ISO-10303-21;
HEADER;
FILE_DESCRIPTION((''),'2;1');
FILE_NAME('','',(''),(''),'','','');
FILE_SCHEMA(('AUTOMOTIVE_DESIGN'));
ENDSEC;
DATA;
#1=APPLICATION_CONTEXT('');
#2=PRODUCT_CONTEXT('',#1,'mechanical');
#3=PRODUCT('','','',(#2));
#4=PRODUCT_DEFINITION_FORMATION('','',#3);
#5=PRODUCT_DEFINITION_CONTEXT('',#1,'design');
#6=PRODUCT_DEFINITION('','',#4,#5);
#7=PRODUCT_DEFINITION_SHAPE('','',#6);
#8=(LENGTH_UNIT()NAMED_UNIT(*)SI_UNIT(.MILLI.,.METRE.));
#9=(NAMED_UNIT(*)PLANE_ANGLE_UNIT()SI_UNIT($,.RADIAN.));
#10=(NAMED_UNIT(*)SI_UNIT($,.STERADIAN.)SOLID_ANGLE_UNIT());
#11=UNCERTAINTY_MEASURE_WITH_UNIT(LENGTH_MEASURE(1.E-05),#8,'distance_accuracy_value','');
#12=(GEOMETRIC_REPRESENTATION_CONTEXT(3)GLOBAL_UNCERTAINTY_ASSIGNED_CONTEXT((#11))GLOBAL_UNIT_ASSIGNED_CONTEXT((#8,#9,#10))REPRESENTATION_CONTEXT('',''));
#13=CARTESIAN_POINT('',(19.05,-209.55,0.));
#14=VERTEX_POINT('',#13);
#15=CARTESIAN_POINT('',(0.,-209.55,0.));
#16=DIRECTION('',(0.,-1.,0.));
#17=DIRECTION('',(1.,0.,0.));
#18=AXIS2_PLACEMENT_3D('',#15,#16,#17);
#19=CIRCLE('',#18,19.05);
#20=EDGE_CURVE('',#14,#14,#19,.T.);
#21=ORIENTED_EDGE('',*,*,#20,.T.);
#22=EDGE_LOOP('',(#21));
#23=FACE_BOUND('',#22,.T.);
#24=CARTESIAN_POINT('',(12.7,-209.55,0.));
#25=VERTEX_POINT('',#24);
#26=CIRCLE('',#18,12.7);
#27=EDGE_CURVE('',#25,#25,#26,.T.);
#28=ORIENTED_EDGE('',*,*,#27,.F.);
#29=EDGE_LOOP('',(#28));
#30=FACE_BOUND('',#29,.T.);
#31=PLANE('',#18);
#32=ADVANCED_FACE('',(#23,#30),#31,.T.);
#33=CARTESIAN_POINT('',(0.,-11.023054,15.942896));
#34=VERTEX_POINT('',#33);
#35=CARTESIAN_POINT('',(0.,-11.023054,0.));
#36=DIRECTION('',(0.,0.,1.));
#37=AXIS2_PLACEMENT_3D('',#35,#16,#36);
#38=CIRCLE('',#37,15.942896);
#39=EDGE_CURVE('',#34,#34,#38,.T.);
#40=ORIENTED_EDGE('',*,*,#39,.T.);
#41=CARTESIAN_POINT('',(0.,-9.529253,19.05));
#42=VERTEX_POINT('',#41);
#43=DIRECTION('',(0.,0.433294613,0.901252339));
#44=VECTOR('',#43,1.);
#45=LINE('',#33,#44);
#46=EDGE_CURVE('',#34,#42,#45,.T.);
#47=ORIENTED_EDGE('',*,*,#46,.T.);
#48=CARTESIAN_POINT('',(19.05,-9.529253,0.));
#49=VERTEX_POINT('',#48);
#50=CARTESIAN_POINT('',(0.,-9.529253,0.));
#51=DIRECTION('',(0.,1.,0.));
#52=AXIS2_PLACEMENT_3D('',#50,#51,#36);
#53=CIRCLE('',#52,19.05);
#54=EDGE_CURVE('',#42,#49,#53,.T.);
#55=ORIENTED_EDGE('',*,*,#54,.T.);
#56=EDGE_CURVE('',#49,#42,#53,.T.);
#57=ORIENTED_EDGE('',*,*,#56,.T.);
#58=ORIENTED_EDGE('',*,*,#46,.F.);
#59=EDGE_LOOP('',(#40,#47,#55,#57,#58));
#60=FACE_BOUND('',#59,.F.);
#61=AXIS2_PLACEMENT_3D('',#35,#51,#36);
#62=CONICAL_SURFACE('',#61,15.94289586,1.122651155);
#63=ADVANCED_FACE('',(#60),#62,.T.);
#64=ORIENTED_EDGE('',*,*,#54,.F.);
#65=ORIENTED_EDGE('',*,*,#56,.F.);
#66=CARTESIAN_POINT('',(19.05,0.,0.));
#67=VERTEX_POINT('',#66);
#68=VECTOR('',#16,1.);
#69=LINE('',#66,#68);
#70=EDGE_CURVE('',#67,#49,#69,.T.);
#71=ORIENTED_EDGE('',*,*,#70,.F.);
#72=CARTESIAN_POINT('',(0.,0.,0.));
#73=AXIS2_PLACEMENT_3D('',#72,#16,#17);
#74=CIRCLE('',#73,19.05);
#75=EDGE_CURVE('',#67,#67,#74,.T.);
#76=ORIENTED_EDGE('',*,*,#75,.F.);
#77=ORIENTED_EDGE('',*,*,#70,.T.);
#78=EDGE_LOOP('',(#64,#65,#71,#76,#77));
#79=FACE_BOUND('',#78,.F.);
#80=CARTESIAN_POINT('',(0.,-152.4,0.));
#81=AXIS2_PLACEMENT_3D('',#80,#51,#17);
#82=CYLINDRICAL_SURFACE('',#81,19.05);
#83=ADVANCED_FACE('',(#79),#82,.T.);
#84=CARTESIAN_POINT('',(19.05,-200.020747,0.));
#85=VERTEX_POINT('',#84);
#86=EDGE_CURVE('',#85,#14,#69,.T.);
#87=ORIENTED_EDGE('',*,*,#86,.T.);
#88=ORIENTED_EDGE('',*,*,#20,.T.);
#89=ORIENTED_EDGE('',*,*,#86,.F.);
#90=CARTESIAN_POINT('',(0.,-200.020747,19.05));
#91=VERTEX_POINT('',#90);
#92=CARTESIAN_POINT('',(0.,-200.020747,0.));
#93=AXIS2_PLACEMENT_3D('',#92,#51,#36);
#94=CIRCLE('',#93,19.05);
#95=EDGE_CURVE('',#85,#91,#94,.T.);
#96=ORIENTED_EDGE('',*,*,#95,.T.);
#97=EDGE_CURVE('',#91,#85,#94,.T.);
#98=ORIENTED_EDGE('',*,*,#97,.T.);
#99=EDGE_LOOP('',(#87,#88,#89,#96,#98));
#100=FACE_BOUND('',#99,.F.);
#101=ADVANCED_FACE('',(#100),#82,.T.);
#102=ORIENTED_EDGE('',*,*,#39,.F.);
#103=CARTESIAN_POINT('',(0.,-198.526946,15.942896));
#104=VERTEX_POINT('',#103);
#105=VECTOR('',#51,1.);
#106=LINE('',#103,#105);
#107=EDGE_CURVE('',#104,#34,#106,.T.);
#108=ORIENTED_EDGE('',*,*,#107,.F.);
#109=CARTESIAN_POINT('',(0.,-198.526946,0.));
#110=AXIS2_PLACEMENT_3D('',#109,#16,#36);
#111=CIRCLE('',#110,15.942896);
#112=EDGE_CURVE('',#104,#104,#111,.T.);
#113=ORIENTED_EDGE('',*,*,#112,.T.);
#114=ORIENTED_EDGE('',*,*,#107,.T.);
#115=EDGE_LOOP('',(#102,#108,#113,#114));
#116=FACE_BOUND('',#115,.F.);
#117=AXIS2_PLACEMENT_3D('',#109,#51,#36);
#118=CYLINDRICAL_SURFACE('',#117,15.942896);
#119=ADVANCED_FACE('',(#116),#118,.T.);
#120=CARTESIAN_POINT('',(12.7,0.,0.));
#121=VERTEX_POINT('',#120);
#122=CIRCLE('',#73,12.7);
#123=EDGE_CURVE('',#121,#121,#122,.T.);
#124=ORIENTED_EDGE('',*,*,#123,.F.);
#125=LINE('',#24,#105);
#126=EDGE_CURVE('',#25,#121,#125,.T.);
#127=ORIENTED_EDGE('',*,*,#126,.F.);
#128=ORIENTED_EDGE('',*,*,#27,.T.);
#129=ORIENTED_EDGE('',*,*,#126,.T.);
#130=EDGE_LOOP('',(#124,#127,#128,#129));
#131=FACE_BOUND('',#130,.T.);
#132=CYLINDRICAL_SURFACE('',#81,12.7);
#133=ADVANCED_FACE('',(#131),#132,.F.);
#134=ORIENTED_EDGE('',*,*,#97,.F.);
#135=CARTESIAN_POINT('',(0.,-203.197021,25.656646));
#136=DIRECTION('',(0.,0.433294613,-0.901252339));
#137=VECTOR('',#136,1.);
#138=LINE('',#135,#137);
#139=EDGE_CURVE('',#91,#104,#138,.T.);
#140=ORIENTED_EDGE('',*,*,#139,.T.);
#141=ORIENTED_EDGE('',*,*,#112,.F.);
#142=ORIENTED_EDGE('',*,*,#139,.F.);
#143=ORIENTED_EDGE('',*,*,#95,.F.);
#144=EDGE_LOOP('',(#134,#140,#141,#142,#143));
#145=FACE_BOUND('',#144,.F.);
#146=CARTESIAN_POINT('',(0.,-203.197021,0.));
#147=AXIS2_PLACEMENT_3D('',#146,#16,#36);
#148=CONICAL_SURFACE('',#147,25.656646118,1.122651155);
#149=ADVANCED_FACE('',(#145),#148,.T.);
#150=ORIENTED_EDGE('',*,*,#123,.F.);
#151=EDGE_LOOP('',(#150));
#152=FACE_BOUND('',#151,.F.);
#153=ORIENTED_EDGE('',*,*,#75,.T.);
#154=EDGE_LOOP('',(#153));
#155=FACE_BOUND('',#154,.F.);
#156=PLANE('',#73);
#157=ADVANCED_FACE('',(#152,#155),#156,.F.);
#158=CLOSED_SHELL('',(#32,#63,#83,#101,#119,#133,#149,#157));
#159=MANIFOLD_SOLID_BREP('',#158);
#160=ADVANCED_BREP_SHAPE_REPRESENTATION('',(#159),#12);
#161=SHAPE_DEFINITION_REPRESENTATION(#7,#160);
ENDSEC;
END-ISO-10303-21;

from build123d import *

# Parameters (mm, degrees)
F0_R     = 19.05
F0_R_2   = 12.7
F1_DEPTH = 152.4
F2_DEPTH = 57.15


with BuildPart() as f1:
    # F0 (on Front) → F1 (new body)
    with BuildSketch(Plane.XZ):
        Circle(F0_R)
        Circle(F0_R_2, mode=Mode.SUBTRACT)
    extrude(amount=F1_DEPTH)

    # F2 (add): a face of the model
    f2_faces = [f1.faces().sort_by_distance(p)[0] for p in [
        (-18.5111846327, -152.4, 0),
    ]]
    extrude(f2_faces, amount=F2_DEPTH)

    # F3 (on Right) → F4 (revolve, cut)
    with BuildSketch(Plane.YZ):
        Polygon((-11.023053821, 15.9428958603), (-6.3529792242, 25.6566461176), (-203.1970207758, 25.6566461176), (-198.526946179, 15.9428958603), align=None)
    revolve(axis=Axis((0, -209.55, 0), (0, -1, 0)), mode=Mode.SUBTRACT)


solid = f1.part
